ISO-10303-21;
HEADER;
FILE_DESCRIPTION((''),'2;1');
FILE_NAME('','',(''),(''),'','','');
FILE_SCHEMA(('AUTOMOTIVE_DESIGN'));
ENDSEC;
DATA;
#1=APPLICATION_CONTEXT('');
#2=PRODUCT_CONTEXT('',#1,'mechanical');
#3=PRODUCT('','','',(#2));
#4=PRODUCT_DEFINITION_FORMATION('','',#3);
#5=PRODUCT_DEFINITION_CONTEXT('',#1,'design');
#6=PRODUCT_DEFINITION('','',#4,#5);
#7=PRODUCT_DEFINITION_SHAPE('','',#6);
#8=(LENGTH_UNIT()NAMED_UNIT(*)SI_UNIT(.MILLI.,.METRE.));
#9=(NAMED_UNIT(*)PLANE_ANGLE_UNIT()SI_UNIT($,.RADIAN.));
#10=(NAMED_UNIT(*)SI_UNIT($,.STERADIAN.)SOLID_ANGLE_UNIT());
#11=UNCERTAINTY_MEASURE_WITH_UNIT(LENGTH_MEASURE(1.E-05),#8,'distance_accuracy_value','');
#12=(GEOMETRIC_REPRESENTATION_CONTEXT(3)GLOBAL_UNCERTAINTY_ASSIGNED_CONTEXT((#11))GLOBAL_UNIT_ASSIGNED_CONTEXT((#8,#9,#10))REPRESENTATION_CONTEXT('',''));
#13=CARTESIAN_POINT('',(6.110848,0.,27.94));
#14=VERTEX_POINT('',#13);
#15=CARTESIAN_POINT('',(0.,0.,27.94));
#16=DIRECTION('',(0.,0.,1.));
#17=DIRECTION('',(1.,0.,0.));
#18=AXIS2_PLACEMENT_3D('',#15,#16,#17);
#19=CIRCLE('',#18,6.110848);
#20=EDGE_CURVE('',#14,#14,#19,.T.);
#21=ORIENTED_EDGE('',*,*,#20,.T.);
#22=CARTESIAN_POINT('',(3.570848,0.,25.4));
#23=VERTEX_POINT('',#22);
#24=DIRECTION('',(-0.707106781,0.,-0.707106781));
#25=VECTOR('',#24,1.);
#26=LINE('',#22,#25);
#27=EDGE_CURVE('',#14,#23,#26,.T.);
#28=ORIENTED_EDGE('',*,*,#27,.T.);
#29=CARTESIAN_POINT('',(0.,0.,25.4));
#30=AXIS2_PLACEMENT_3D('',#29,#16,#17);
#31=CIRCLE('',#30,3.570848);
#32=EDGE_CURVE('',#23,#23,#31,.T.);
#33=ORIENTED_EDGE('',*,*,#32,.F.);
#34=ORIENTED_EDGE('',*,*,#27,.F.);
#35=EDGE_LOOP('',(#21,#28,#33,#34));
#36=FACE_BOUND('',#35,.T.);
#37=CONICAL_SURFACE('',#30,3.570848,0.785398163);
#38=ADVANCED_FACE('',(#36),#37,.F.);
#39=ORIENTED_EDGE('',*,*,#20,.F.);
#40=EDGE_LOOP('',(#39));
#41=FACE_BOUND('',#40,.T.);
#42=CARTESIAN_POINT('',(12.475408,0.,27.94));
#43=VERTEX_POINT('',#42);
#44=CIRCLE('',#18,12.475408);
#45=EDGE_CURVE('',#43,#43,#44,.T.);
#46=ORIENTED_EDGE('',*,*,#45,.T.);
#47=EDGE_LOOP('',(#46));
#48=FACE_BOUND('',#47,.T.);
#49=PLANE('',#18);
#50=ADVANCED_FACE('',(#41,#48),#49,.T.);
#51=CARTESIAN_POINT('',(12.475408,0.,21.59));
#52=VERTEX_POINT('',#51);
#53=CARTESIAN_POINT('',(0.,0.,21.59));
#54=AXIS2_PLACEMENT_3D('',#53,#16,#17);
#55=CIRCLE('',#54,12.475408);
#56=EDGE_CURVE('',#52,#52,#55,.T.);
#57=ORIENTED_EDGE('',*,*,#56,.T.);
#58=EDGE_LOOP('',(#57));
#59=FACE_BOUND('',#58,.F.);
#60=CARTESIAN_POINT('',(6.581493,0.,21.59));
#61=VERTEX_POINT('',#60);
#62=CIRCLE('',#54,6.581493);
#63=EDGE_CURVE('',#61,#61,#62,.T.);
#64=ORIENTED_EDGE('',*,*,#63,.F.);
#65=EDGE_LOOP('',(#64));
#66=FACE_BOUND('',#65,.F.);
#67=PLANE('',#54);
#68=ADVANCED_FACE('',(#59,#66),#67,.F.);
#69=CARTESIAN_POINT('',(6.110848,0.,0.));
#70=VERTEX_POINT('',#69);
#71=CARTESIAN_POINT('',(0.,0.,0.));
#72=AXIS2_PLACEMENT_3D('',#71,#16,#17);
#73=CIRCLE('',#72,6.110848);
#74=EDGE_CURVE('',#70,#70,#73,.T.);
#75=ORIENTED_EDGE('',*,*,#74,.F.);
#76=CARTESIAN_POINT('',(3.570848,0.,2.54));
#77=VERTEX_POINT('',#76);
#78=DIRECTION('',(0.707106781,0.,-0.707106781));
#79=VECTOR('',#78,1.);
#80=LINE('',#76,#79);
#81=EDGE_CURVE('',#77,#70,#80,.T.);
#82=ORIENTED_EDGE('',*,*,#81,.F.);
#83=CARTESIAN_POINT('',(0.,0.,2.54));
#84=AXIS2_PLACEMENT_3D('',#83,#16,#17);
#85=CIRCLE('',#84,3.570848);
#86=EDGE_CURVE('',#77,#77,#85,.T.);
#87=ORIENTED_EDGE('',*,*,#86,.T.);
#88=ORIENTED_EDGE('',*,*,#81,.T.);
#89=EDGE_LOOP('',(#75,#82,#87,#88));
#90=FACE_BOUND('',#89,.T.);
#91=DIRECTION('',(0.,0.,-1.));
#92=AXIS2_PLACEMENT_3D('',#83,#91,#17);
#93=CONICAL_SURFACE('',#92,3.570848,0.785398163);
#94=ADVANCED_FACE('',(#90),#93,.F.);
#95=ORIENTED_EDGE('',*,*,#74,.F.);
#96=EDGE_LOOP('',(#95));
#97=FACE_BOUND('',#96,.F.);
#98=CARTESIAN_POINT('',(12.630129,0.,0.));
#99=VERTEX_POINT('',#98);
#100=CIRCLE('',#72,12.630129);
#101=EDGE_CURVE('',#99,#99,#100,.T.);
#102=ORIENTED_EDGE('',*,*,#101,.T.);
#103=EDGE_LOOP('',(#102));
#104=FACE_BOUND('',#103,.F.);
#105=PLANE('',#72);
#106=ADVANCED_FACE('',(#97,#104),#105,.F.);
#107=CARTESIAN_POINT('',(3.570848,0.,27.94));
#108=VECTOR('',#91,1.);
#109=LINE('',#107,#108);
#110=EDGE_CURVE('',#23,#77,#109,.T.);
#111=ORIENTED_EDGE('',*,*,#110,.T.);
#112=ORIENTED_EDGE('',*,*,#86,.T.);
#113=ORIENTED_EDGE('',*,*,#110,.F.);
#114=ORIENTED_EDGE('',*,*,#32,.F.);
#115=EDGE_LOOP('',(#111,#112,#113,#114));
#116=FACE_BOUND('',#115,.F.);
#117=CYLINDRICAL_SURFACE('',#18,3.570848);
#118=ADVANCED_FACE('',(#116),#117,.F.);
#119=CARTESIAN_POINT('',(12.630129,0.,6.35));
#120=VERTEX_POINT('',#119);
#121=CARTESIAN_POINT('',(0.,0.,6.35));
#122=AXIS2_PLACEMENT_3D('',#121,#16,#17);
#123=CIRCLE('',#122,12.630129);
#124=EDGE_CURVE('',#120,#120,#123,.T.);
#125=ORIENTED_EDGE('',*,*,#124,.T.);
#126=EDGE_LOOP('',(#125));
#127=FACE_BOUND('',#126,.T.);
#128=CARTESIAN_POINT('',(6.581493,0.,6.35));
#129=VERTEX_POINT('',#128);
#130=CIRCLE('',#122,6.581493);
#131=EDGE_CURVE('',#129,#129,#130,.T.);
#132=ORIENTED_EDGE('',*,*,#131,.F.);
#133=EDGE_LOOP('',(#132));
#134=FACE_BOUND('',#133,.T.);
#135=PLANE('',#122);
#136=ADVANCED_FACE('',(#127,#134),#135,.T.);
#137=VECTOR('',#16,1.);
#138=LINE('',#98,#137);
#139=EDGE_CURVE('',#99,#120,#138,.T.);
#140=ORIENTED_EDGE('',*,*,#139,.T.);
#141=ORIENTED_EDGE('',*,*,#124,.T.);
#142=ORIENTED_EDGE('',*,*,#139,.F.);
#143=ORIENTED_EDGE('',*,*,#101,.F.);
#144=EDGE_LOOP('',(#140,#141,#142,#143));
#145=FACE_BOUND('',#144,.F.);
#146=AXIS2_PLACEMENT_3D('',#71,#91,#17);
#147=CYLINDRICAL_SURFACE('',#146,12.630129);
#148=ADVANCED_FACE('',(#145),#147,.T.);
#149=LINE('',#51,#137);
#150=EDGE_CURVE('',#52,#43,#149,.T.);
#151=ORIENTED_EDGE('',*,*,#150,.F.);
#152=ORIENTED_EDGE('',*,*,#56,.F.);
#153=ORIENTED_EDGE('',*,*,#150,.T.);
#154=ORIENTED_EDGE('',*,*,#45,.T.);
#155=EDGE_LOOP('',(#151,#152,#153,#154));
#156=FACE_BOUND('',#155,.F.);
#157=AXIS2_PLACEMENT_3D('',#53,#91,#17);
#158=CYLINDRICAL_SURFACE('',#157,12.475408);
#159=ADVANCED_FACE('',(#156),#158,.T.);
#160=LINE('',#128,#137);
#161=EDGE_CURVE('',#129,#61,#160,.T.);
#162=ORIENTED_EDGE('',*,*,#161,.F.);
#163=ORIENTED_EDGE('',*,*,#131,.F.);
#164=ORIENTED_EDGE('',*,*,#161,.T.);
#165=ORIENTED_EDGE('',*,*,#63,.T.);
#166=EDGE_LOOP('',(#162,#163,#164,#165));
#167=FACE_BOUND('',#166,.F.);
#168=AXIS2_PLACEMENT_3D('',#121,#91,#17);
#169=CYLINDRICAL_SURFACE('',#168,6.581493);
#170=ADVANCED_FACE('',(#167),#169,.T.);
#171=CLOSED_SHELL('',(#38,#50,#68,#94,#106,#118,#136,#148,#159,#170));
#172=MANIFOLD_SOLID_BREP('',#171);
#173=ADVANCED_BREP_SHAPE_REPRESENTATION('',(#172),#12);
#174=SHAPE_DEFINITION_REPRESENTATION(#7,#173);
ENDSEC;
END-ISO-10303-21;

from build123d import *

# Parameters (mm, degrees)
F0_R     = 12.630129
F1_DEPTH = 6.35
F2_R     = 6.581493
F3_DEPTH = 15.24
F4_R     = 12.475408
F5_DEPTH = 6.35
F6_R     = 3.570848
F7_DEPTH = 27.941
F8_SIZE  = 2.54


with BuildPart() as f1:
    # F0 (on Top) → F1 (new body)
    with BuildSketch(Plane.XY):
        Circle(F0_R)
    extrude(amount=F1_DEPTH)

    # F2 (on face) → F3 (join)
    with BuildSketch(Plane.XY.offset(6.35)):
        Circle(F2_R)
    extrude(amount=F3_DEPTH)

    # F4 (on face) → F5 (join)
    with BuildSketch(Plane.XY.offset(21.59)):
        Circle(F4_R)
    extrude(amount=F5_DEPTH)

    # F6 (on face) → F7 (cut, through all)
    with BuildSketch(Plane.XY.offset(27.94)):
        Circle(F6_R)
    extrude(amount=-F7_DEPTH, mode=Mode.SUBTRACT)

    # F8
    f8_edges = [f1.edges().sort_by_distance(p)[0] for p in [
        (-3.570848, 0, 27.94),
        (-3.570848, 0, 0),
    ]]
    chamfer(f8_edges, length=F8_SIZE)


solid = f1.part
